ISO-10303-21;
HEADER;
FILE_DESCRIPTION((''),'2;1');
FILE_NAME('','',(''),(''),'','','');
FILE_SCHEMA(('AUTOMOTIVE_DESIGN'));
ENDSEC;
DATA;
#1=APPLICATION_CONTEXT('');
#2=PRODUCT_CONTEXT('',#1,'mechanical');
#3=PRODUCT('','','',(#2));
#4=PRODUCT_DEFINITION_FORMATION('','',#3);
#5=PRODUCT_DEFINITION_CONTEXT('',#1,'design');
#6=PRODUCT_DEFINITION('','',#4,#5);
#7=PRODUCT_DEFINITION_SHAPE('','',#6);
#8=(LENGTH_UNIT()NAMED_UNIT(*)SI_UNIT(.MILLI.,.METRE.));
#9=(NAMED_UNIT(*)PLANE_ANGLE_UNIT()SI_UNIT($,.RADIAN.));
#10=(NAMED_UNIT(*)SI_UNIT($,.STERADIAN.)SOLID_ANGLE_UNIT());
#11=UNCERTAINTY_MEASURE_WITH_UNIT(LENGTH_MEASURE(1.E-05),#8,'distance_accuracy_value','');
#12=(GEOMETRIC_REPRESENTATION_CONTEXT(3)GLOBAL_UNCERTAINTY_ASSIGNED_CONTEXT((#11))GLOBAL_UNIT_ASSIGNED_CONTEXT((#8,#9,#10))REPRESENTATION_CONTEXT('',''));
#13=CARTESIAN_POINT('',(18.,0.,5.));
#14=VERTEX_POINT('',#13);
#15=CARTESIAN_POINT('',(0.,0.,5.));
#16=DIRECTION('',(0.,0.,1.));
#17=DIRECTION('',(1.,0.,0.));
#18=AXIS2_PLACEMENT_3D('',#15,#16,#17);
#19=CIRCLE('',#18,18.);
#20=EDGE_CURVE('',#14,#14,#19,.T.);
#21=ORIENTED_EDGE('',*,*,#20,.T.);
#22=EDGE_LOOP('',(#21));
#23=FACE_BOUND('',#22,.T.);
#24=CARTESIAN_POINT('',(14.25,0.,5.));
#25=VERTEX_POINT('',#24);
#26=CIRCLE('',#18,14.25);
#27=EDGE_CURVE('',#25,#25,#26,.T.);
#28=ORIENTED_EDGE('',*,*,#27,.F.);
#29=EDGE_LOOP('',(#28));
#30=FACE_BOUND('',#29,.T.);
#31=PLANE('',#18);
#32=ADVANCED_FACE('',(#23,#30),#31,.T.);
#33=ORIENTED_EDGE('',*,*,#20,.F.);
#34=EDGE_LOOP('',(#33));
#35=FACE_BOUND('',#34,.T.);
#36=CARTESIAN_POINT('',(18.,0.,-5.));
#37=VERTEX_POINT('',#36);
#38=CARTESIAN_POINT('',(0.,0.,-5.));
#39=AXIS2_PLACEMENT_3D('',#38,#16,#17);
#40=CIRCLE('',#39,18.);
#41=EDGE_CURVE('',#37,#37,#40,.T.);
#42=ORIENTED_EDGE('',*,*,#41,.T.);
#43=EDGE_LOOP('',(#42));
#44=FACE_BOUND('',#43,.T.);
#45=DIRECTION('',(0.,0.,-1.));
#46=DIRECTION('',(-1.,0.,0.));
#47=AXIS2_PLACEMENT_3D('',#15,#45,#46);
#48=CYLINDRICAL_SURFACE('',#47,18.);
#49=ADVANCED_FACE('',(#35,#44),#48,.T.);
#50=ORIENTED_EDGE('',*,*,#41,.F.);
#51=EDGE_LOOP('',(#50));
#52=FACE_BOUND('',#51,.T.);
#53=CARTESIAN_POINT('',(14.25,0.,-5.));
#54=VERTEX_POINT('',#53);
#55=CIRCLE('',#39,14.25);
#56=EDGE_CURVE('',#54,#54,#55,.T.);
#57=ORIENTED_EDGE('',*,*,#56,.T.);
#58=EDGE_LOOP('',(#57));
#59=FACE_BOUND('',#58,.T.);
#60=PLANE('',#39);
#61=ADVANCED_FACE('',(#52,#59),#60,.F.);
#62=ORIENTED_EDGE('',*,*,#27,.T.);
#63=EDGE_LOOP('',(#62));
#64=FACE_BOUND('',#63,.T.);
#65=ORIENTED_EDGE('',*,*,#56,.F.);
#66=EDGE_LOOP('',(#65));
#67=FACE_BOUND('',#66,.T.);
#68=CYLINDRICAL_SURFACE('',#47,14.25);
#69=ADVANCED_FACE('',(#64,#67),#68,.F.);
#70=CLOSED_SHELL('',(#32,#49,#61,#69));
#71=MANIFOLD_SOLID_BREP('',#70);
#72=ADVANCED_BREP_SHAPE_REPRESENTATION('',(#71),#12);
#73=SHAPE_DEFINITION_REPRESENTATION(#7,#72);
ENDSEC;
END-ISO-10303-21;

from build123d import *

# Parameters (mm, degrees)
ESQUISSE1_R      = 18
ESQUISSE1_R_2    = 14.25
EXTRUSION1_DEPTH = 5


with BuildPart() as part:
    # Esquisse1 → Extrusion1 (new body, symmetric)
    with BuildSketch(Plane.XY):
        Circle(ESQUISSE1_R)
        Circle(ESQUISSE1_R_2, mode=Mode.SUBTRACT)
    extrude(amount=EXTRUSION1_DEPTH, both=True)


solid = part.part
